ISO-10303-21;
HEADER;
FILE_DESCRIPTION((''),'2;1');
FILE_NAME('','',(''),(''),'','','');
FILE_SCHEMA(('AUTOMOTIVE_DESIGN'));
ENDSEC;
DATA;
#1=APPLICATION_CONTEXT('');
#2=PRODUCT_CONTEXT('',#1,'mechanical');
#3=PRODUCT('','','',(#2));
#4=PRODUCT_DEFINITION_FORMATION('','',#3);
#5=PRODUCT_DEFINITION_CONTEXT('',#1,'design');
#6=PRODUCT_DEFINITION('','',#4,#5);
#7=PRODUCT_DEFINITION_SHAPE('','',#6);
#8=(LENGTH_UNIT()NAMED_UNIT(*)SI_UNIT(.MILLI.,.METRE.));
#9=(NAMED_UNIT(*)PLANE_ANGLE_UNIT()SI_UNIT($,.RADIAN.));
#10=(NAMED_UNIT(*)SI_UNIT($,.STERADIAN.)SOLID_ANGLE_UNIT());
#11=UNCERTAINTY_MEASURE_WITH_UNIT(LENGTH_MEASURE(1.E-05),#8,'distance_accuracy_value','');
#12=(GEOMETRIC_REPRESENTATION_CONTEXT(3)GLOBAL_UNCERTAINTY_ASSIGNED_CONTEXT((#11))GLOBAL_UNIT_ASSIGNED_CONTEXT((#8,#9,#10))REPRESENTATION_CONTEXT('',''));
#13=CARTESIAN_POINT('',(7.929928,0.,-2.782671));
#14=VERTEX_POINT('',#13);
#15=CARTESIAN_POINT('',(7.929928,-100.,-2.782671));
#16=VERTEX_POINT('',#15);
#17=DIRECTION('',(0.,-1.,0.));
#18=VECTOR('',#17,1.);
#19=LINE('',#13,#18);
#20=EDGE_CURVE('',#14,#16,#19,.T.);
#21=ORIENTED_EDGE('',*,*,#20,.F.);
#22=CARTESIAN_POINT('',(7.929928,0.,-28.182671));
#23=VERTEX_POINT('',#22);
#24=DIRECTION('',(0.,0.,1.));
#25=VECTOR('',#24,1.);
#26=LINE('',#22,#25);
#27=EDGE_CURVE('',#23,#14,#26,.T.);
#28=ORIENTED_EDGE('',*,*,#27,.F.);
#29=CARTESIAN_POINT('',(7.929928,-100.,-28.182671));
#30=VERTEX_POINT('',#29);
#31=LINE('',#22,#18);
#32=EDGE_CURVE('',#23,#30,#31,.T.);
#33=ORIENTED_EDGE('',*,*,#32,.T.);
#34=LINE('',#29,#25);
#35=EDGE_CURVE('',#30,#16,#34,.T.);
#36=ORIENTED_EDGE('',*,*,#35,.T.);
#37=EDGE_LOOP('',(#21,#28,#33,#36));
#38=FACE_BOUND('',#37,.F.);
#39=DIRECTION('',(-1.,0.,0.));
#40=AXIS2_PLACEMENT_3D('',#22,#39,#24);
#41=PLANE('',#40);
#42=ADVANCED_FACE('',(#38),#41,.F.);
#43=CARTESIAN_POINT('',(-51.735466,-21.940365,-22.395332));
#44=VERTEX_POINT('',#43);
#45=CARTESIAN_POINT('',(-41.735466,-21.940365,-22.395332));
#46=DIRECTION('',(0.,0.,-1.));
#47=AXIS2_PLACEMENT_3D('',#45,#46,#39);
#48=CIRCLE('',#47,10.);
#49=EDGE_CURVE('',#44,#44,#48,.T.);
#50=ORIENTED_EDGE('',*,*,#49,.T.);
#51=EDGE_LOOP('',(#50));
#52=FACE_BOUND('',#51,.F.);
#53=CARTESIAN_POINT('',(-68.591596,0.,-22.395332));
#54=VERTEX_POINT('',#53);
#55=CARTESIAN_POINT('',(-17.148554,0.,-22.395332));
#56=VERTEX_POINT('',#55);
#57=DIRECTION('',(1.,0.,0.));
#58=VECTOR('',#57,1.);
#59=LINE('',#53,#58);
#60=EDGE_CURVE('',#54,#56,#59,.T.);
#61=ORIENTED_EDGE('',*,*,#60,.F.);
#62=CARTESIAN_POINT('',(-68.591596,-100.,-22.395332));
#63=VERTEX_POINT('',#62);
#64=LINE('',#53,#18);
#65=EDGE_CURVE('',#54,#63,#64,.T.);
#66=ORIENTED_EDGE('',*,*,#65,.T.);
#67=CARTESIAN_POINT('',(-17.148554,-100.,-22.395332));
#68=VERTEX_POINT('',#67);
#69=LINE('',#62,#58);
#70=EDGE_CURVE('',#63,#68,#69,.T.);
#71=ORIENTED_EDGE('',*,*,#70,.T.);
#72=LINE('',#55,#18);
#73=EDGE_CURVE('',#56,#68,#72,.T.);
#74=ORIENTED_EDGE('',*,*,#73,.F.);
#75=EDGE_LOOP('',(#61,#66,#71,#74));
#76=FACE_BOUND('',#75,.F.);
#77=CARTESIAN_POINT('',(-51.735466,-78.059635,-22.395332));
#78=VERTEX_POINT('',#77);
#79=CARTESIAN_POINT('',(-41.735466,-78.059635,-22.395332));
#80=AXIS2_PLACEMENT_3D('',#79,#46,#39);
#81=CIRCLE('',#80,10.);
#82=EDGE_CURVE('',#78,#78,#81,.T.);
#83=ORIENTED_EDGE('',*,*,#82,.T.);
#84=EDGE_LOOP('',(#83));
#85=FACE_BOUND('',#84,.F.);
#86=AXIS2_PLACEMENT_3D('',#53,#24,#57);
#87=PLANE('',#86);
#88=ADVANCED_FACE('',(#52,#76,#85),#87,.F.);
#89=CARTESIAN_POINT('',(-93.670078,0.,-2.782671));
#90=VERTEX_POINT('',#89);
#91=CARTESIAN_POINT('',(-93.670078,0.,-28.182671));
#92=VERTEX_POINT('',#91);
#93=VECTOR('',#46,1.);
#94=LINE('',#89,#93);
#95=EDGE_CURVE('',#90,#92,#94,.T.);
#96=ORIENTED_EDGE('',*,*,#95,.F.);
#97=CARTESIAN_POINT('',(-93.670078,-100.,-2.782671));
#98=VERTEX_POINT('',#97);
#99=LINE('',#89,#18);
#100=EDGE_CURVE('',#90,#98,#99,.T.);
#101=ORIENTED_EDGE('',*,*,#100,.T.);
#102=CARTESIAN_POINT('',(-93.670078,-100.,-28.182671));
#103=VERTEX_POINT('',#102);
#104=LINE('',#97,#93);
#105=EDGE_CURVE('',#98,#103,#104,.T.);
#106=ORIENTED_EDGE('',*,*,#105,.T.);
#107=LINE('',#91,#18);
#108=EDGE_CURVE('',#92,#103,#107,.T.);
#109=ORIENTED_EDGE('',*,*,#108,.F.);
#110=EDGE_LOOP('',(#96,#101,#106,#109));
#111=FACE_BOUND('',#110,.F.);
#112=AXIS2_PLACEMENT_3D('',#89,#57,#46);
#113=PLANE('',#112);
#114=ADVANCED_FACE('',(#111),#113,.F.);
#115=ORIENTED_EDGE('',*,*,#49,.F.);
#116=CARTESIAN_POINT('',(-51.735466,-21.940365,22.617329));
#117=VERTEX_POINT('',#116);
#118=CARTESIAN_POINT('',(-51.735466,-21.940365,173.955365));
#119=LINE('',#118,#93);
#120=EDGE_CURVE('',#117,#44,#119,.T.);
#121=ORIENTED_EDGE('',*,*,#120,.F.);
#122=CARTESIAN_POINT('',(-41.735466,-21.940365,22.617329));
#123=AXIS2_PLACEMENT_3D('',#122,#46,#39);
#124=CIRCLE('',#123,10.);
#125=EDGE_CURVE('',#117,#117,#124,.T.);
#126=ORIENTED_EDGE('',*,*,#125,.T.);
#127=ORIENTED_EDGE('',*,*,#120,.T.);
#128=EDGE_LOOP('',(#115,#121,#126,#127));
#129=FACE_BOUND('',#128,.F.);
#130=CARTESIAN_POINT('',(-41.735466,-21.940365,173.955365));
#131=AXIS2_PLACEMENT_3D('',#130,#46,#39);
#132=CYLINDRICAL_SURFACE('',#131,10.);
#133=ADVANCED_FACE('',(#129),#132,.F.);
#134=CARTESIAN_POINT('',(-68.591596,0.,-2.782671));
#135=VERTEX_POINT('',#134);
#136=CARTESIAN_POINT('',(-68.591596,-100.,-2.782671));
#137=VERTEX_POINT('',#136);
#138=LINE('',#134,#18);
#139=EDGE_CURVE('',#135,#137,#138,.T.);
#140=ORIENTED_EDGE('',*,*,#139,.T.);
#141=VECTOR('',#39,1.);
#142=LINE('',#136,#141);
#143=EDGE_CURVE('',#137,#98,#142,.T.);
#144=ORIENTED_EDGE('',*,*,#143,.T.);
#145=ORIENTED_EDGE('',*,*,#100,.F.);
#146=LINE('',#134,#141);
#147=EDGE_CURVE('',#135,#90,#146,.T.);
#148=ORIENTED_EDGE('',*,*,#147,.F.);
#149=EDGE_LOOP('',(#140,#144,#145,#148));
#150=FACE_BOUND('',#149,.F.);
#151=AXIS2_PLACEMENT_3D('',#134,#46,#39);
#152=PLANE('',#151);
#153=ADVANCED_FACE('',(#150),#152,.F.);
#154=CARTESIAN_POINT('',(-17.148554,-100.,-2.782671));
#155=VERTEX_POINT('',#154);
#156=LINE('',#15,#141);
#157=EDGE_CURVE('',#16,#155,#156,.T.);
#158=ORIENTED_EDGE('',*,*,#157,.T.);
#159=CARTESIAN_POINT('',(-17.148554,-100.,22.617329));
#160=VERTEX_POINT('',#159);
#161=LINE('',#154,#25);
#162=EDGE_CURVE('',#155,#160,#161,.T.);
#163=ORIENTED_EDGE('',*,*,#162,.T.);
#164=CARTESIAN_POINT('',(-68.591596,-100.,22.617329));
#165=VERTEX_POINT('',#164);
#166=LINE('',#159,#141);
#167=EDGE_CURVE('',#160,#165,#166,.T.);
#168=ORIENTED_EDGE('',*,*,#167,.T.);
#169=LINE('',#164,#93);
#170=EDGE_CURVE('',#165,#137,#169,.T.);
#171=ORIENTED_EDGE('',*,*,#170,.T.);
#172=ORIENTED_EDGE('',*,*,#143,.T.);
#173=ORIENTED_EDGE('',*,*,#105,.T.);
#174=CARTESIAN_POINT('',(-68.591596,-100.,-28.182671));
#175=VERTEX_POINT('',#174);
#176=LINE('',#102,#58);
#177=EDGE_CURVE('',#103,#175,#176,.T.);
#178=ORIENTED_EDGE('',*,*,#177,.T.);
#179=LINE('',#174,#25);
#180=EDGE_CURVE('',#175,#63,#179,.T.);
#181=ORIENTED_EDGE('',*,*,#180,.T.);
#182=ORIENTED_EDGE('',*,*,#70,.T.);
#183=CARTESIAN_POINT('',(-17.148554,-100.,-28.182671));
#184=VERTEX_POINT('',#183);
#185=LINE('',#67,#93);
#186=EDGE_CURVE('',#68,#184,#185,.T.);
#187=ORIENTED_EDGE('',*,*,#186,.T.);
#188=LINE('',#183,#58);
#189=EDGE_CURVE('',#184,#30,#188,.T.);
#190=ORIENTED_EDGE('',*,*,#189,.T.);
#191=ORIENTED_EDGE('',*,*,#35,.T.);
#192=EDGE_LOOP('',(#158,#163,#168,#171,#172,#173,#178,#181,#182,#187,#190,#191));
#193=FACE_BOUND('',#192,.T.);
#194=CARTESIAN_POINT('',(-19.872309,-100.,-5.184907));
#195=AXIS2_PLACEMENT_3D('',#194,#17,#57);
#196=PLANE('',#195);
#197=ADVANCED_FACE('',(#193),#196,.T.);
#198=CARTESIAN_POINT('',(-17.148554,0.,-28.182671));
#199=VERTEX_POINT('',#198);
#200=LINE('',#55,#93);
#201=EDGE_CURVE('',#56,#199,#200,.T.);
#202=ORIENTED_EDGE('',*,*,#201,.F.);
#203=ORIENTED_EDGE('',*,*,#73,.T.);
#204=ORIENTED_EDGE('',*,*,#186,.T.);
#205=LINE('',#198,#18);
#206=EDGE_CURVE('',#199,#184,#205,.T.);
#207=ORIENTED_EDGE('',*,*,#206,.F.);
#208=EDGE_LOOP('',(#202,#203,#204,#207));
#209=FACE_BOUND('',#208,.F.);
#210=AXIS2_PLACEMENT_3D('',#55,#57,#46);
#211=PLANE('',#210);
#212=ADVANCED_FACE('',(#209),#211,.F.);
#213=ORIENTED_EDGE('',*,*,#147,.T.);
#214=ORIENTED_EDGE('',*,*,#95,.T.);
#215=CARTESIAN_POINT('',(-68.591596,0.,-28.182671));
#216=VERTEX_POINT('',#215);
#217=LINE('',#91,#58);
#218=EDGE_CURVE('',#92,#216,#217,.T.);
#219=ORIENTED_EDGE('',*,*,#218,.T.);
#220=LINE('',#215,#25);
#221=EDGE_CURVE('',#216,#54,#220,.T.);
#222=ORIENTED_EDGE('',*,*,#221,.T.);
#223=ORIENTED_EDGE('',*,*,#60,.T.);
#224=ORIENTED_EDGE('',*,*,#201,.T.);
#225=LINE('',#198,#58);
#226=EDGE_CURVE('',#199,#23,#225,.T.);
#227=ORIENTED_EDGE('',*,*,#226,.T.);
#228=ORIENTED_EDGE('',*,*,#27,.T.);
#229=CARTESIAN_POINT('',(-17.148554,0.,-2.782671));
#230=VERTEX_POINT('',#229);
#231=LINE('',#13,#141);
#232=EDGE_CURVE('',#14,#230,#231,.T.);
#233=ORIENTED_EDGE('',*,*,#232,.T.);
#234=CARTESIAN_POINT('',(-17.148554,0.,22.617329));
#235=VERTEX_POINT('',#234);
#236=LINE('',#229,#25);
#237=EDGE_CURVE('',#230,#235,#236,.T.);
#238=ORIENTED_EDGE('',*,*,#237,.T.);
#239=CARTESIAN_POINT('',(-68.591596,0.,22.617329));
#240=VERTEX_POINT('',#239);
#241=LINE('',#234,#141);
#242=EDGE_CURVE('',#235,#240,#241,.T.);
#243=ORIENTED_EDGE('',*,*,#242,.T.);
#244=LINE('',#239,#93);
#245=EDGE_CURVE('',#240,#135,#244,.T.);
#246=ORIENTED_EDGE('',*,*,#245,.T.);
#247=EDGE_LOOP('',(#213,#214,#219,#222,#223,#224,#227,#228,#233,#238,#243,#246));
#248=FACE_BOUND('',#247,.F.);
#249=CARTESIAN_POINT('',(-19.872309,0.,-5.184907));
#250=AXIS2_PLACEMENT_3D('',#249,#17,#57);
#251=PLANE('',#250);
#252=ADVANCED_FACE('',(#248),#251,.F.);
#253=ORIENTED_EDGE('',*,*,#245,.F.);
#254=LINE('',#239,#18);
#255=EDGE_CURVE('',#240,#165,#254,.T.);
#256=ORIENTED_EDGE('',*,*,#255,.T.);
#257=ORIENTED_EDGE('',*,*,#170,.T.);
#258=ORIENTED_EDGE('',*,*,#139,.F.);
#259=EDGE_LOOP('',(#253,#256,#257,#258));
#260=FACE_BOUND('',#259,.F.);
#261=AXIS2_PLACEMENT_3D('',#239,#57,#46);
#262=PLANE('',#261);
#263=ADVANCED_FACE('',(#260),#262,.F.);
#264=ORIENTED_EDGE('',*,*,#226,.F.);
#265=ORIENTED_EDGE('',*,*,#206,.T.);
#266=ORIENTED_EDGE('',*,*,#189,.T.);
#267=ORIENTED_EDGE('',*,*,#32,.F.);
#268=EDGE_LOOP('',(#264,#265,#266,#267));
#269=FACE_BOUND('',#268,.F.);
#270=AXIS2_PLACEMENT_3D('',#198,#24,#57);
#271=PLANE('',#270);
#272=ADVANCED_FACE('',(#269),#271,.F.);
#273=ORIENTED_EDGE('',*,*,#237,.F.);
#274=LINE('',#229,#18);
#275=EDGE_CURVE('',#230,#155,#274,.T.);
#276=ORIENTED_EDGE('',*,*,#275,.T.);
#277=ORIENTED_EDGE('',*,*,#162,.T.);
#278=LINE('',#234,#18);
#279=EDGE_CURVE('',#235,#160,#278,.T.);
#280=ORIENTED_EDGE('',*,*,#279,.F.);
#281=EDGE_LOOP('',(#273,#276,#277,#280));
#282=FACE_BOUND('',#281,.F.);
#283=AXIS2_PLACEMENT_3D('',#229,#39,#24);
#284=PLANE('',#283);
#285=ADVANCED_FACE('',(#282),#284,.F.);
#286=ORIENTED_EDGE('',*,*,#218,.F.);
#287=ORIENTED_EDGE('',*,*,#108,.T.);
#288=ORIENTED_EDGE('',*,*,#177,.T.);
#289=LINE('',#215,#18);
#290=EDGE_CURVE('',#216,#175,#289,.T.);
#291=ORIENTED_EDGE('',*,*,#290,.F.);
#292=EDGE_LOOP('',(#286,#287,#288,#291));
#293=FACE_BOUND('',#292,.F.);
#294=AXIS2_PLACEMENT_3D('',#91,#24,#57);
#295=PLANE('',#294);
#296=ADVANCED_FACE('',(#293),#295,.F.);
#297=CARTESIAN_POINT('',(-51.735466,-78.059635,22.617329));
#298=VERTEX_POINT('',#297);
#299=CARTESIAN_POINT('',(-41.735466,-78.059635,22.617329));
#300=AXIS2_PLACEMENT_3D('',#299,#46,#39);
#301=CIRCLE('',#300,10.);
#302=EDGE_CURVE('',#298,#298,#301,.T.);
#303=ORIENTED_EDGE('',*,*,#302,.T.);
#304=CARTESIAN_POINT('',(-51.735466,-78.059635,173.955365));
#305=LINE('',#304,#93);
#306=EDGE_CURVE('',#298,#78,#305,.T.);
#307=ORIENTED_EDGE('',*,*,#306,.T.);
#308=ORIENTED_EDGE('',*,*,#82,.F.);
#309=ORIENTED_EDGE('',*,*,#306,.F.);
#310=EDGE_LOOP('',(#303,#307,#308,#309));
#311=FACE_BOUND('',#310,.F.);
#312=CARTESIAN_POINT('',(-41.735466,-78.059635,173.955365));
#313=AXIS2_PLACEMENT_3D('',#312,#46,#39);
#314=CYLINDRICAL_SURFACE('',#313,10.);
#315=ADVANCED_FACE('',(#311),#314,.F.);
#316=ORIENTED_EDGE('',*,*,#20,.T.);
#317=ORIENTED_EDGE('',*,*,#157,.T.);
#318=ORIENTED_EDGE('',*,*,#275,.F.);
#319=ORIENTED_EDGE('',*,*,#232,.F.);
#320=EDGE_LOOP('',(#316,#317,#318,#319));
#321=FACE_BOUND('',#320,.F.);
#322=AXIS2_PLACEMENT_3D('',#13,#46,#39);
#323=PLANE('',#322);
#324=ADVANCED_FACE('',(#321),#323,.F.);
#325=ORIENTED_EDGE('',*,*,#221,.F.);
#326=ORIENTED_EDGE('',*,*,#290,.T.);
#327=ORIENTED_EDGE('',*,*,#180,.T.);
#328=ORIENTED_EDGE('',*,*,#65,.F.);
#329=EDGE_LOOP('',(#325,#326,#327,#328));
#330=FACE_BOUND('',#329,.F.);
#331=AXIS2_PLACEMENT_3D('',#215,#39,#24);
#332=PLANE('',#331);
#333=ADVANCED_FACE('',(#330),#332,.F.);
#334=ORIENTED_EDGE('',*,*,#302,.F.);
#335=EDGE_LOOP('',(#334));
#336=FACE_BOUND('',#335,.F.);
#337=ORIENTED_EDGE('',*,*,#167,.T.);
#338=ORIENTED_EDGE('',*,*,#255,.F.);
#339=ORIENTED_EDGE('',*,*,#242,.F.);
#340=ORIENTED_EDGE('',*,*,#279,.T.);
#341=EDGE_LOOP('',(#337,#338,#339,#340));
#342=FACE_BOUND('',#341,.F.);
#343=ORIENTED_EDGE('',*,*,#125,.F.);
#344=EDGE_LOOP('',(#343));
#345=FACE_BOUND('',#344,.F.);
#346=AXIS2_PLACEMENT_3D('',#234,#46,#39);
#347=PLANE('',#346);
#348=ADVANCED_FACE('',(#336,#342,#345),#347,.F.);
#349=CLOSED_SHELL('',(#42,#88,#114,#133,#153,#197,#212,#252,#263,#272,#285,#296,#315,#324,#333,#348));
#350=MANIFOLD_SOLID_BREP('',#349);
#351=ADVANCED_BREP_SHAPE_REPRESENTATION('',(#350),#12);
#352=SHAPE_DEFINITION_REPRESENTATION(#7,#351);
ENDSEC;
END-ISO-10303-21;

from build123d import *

# Parameters (mm, degrees)
F1_DEPTH = 100
F3_D     = 20


with BuildPart() as f1:
    # F0 (on Front) → F1 (new body)
    with BuildSketch(Plane.XZ):
        Polygon((-17.148554, -2.782671), (-17.148554, 22.617329), (-42.870075, 22.617329), (-42.870075, -22.395332), (-17.148554, -22.395332), (-17.148554, -28.182671), (7.929928, -28.182671), (7.929928, -2.782671), align=None)
        Polygon((-42.870075, -22.395332), (-42.870075, 22.617329), (-68.591596, 22.617329), (-68.591596, -2.782671), (-93.670078, -2.782671), (-93.670078, -28.182671), (-68.591596, -28.182671), (-68.591596, -22.395332), align=None)
    extrude(amount=F1_DEPTH)

    # F3 (through all)
    with Locations(Plane.XY.offset(22.617329)):
        with Locations((-41.735466, -21.940365), (-41.735466, -78.059635)):
            Hole(F3_D / 2)


solid = f1.part
